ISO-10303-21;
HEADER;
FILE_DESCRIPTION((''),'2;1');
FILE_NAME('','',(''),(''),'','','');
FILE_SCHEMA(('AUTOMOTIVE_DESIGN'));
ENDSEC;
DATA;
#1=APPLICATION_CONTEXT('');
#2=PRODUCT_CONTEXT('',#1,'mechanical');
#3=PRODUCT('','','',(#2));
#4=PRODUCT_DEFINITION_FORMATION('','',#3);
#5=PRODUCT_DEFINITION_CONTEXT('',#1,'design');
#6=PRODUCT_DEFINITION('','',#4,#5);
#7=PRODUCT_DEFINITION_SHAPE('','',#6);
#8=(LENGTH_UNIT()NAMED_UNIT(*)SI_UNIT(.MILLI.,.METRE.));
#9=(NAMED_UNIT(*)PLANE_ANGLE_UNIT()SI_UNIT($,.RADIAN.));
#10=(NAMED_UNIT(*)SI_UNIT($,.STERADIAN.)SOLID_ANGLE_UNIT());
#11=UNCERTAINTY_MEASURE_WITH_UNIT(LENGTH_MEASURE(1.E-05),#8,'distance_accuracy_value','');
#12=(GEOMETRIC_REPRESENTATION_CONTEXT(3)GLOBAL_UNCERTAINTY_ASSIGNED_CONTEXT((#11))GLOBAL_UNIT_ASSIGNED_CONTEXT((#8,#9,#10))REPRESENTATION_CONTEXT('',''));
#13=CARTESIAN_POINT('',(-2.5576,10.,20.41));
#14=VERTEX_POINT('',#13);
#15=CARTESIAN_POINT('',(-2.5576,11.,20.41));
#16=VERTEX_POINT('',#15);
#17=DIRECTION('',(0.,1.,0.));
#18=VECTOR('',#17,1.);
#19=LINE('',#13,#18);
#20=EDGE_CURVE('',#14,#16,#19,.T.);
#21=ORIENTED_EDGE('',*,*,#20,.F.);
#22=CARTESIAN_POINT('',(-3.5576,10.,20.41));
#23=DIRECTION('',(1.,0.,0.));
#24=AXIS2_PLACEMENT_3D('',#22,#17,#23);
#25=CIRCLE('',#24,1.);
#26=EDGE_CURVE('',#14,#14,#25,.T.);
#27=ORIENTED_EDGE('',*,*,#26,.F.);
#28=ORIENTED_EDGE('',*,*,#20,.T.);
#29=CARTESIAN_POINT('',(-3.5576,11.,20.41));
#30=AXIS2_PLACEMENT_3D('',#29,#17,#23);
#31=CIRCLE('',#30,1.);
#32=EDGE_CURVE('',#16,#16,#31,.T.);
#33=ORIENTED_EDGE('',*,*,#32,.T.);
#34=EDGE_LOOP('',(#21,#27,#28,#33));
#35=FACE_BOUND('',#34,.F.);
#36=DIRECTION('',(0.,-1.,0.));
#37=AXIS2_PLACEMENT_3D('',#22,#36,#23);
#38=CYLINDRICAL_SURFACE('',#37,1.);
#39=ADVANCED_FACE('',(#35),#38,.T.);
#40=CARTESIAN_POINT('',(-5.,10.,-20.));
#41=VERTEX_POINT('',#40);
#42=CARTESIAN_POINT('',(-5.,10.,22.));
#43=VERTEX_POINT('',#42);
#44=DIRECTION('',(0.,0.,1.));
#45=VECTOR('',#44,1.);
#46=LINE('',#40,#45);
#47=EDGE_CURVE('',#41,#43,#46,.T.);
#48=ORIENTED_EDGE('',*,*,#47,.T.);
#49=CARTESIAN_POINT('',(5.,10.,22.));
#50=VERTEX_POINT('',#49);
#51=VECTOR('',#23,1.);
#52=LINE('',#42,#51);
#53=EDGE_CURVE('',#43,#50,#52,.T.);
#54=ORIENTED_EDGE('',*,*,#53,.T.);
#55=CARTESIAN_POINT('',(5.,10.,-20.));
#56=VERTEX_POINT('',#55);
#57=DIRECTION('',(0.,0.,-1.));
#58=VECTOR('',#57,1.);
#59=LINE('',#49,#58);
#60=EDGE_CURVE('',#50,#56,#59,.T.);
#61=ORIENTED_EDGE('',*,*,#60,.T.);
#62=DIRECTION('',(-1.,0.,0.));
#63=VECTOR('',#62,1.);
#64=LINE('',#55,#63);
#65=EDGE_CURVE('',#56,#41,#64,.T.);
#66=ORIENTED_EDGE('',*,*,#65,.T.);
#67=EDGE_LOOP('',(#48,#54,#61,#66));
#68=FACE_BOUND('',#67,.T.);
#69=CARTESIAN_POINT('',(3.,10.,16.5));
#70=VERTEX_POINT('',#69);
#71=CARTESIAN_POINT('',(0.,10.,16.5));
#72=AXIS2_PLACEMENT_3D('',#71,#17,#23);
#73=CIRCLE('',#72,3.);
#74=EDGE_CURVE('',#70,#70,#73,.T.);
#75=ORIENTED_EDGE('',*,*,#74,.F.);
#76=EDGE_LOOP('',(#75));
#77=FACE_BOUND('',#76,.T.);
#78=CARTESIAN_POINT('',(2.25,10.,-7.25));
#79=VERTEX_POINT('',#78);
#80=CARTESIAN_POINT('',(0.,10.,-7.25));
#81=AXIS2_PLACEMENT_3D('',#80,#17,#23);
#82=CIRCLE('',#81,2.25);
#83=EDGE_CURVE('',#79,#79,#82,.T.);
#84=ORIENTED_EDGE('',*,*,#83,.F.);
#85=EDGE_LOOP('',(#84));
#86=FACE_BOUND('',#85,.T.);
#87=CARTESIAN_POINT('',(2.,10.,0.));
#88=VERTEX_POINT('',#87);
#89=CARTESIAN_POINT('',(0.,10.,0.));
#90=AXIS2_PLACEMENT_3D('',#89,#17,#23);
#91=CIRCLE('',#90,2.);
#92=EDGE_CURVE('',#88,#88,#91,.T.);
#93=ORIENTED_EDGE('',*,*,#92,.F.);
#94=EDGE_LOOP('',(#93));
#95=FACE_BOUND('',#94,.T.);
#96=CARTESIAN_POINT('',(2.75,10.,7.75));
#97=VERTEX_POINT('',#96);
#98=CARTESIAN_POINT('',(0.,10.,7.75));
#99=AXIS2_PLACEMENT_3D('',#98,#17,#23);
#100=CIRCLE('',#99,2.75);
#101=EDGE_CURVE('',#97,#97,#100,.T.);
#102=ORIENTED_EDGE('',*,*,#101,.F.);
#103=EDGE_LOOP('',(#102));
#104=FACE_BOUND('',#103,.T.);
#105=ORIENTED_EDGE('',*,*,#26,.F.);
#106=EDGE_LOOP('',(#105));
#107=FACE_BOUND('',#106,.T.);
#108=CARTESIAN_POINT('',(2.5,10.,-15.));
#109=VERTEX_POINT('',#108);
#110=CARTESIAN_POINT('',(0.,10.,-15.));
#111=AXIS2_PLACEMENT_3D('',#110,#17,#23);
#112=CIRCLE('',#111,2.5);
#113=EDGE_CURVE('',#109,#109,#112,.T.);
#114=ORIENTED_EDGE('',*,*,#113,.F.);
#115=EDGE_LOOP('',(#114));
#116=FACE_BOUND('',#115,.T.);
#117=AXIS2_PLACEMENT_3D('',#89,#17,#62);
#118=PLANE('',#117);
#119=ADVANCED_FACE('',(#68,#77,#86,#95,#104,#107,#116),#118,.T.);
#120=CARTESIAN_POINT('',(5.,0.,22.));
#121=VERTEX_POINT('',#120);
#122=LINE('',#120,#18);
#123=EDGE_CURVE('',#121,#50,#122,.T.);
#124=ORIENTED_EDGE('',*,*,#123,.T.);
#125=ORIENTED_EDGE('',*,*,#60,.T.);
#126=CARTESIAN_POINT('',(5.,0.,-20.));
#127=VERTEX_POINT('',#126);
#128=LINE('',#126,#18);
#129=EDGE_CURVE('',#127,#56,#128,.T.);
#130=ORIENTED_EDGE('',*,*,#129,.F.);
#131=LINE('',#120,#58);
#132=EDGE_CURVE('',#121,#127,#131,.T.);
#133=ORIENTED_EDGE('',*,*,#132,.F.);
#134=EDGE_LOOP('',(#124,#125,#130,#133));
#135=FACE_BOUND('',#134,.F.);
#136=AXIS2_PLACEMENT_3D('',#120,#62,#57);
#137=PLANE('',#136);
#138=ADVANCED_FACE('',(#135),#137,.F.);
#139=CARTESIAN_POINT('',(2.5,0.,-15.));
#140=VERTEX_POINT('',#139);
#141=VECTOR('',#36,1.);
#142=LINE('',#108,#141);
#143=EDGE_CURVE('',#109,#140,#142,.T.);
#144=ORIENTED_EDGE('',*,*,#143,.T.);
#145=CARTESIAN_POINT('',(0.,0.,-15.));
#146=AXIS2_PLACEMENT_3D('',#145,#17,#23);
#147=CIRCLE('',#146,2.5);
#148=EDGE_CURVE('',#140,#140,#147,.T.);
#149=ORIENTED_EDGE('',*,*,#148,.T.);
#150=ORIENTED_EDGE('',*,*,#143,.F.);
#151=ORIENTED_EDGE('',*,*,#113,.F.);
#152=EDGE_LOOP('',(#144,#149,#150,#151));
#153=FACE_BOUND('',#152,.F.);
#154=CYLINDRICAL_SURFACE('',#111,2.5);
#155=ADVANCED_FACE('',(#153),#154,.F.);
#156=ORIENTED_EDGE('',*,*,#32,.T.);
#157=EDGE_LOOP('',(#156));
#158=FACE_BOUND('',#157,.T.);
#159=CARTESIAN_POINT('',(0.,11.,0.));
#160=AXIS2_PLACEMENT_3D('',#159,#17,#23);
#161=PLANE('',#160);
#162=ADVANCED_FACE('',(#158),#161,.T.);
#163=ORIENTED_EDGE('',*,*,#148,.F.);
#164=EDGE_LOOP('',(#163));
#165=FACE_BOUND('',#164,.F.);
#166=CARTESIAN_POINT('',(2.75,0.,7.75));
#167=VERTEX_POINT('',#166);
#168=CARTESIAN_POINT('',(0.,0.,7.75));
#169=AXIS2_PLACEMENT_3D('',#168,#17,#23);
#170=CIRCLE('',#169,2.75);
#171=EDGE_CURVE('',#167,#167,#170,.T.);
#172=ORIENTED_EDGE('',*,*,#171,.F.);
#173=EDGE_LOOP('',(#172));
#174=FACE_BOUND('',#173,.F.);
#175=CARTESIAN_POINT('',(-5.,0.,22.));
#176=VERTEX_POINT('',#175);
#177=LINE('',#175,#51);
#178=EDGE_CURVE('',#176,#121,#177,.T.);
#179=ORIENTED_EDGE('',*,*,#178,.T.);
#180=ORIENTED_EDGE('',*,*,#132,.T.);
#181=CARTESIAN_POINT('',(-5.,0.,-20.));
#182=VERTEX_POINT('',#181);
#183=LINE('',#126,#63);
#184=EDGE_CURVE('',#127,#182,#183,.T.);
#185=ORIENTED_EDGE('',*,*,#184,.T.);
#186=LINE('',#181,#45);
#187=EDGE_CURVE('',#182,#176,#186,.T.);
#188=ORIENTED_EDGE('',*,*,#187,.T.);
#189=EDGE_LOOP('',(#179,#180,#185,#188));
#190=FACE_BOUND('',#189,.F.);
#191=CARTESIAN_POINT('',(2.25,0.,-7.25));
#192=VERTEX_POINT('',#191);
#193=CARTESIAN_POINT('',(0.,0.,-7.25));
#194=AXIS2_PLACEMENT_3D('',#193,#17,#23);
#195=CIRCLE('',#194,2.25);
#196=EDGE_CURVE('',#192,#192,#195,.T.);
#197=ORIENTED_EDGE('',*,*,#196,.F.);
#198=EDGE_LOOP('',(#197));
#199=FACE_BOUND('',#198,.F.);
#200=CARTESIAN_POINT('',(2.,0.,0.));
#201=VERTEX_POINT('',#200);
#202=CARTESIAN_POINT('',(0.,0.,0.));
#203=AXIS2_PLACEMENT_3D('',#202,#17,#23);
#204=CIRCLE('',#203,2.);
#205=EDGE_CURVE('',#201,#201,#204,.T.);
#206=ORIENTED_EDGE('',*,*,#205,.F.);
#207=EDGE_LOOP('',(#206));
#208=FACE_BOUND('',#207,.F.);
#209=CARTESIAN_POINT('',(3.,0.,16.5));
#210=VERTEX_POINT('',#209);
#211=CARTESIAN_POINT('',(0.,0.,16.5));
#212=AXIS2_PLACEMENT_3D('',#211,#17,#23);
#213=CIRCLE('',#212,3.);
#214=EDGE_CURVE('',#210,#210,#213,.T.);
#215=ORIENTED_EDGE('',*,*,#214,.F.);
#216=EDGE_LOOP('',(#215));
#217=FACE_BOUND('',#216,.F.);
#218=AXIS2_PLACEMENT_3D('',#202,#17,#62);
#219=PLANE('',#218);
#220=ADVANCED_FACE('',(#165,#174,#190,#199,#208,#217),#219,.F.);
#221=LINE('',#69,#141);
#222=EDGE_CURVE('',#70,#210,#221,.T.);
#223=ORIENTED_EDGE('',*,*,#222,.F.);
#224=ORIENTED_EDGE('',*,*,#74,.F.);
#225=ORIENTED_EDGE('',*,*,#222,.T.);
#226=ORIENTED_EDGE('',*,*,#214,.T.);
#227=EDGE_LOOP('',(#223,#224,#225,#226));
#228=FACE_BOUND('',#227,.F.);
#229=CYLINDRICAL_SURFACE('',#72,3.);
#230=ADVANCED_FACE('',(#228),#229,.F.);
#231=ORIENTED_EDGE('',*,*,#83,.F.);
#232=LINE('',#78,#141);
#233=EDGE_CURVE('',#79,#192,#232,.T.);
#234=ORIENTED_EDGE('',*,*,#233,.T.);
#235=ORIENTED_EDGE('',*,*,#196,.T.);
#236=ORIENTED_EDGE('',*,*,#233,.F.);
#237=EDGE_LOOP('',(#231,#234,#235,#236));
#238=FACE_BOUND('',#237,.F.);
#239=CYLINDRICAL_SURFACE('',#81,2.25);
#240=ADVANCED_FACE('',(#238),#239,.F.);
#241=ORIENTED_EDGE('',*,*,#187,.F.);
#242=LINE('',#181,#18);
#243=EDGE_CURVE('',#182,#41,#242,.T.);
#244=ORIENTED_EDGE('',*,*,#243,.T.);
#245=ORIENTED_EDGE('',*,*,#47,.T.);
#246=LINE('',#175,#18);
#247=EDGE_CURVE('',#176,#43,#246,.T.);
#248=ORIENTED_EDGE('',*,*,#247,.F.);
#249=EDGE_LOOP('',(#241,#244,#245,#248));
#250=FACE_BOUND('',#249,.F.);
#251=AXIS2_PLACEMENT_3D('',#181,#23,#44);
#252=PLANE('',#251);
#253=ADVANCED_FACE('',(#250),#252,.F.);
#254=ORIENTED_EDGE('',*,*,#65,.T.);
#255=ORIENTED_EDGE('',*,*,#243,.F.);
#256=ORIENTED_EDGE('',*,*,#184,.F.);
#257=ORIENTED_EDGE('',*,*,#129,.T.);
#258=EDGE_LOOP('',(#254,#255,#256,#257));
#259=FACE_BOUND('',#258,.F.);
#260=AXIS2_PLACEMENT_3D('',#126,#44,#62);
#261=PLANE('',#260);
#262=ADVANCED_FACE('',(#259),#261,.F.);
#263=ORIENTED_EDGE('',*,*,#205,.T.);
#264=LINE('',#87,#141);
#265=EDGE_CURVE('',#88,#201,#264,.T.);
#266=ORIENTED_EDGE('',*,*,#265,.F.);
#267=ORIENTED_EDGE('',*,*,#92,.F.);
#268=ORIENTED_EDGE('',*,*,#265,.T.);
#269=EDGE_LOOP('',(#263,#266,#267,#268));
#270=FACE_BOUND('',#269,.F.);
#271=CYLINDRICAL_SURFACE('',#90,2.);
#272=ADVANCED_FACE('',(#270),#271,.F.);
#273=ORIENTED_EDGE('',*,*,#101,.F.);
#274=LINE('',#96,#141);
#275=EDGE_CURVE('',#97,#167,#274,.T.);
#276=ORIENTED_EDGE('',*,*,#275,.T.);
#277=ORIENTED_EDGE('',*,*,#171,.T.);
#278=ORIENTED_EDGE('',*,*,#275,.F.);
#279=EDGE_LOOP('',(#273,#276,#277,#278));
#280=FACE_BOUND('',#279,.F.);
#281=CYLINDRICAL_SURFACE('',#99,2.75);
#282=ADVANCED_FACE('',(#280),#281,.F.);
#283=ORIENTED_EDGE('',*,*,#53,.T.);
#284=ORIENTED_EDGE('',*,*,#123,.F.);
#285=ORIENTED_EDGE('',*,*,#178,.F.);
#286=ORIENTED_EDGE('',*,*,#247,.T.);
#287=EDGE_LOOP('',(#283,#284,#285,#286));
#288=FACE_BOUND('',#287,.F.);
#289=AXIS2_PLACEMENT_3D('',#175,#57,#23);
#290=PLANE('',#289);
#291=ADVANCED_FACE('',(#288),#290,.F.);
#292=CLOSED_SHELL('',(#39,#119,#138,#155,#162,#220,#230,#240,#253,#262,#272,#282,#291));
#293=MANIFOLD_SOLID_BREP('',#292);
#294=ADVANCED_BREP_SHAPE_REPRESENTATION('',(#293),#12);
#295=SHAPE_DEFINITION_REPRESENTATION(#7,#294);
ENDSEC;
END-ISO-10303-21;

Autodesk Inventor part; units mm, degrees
ref_plane "YZ Plane" through (0, 0, 0) normal (1, 0, 0) x (0, 1, 0)
ref_plane "XZ Plane" through (0, 0, 0) normal (0, 1, 0) x (-1, 0, 0)
ref_plane "XY Plane" through (0, 0, 0) normal (0, 0, 1) x (1, 0, 0)
sketch "Sketch1" plane through (0, 0, 0) normal (0, 1, 0) x (-1, 0, 0)
  line L0 (5, 22) -> (-5, 22)
  line L1 (-5, 22) -> (-5, -20)
  line L2 (-5, -20) -> (5, -20)
  line L3 (5, -20) -> (5, 22)
  line L4 (0, 0) -> (5, 1) construction
  line L5 (0, 0) -> (-5, 1) construction
  line L6 (0, 0) -> (0, 22) construction
  line L7 (0, 0) -> (0, -20) construction
  dimension "d28" = 5
  dimension "d29" = 5
  dimension "d30" = 20
  dimension "d31" = 22
extrude "Extrusion1" add sketch "Sketch1" along normal blind 10
sketch "Sketch4" plane through (0, 10, 0) normal (0, 1, 0) x (1, 0, 0)
  circle A0 centre (0, 0) radius 2
  line L0 (0, 2) -> (0, 5) construction
  line L1 (0, 5) -> (0, 7.25) construction
  circle A1 centre (0, 7.25) radius 2.25
  line L2 (0, 9.5) -> (0, 15) construction
  circle A2 centre (0, 15) radius 2.5
  line L3 (0, -2) -> (0, -7.75) construction
  circle A3 centre (0, -7.75) radius 2.75
  line L4 (0, -10.5) -> (0, -16.5) construction
  circle A4 centre (0, -16.5) radius 3
  dimension "d19" = 4.5
  dimension "d23" = 5.5
  dimension "d16" = 4
  dimension "d17" = 3
  dimension "d18" = 2.25
  dimension "d20" = 5.5
  dimension "d21" = 5
  dimension "d22" = 5.75
  dimension "d24" = 6
  dimension "d25" = 6
extrude "Extrusion2" cut sketch "Sketch4" against normal through all
sketch "Sketch6" plane through (0, 10, 0) normal (0, 1, 0) x (1, 0, 0)
  circle A0 centre (-3.5576, -20.41) radius 1
  point P0 (0, 0)
  dimension "d32" = 2
extrude "Extrusion3" add sketch "Sketch6" along normal blind 1
properties part number "M4 test"
